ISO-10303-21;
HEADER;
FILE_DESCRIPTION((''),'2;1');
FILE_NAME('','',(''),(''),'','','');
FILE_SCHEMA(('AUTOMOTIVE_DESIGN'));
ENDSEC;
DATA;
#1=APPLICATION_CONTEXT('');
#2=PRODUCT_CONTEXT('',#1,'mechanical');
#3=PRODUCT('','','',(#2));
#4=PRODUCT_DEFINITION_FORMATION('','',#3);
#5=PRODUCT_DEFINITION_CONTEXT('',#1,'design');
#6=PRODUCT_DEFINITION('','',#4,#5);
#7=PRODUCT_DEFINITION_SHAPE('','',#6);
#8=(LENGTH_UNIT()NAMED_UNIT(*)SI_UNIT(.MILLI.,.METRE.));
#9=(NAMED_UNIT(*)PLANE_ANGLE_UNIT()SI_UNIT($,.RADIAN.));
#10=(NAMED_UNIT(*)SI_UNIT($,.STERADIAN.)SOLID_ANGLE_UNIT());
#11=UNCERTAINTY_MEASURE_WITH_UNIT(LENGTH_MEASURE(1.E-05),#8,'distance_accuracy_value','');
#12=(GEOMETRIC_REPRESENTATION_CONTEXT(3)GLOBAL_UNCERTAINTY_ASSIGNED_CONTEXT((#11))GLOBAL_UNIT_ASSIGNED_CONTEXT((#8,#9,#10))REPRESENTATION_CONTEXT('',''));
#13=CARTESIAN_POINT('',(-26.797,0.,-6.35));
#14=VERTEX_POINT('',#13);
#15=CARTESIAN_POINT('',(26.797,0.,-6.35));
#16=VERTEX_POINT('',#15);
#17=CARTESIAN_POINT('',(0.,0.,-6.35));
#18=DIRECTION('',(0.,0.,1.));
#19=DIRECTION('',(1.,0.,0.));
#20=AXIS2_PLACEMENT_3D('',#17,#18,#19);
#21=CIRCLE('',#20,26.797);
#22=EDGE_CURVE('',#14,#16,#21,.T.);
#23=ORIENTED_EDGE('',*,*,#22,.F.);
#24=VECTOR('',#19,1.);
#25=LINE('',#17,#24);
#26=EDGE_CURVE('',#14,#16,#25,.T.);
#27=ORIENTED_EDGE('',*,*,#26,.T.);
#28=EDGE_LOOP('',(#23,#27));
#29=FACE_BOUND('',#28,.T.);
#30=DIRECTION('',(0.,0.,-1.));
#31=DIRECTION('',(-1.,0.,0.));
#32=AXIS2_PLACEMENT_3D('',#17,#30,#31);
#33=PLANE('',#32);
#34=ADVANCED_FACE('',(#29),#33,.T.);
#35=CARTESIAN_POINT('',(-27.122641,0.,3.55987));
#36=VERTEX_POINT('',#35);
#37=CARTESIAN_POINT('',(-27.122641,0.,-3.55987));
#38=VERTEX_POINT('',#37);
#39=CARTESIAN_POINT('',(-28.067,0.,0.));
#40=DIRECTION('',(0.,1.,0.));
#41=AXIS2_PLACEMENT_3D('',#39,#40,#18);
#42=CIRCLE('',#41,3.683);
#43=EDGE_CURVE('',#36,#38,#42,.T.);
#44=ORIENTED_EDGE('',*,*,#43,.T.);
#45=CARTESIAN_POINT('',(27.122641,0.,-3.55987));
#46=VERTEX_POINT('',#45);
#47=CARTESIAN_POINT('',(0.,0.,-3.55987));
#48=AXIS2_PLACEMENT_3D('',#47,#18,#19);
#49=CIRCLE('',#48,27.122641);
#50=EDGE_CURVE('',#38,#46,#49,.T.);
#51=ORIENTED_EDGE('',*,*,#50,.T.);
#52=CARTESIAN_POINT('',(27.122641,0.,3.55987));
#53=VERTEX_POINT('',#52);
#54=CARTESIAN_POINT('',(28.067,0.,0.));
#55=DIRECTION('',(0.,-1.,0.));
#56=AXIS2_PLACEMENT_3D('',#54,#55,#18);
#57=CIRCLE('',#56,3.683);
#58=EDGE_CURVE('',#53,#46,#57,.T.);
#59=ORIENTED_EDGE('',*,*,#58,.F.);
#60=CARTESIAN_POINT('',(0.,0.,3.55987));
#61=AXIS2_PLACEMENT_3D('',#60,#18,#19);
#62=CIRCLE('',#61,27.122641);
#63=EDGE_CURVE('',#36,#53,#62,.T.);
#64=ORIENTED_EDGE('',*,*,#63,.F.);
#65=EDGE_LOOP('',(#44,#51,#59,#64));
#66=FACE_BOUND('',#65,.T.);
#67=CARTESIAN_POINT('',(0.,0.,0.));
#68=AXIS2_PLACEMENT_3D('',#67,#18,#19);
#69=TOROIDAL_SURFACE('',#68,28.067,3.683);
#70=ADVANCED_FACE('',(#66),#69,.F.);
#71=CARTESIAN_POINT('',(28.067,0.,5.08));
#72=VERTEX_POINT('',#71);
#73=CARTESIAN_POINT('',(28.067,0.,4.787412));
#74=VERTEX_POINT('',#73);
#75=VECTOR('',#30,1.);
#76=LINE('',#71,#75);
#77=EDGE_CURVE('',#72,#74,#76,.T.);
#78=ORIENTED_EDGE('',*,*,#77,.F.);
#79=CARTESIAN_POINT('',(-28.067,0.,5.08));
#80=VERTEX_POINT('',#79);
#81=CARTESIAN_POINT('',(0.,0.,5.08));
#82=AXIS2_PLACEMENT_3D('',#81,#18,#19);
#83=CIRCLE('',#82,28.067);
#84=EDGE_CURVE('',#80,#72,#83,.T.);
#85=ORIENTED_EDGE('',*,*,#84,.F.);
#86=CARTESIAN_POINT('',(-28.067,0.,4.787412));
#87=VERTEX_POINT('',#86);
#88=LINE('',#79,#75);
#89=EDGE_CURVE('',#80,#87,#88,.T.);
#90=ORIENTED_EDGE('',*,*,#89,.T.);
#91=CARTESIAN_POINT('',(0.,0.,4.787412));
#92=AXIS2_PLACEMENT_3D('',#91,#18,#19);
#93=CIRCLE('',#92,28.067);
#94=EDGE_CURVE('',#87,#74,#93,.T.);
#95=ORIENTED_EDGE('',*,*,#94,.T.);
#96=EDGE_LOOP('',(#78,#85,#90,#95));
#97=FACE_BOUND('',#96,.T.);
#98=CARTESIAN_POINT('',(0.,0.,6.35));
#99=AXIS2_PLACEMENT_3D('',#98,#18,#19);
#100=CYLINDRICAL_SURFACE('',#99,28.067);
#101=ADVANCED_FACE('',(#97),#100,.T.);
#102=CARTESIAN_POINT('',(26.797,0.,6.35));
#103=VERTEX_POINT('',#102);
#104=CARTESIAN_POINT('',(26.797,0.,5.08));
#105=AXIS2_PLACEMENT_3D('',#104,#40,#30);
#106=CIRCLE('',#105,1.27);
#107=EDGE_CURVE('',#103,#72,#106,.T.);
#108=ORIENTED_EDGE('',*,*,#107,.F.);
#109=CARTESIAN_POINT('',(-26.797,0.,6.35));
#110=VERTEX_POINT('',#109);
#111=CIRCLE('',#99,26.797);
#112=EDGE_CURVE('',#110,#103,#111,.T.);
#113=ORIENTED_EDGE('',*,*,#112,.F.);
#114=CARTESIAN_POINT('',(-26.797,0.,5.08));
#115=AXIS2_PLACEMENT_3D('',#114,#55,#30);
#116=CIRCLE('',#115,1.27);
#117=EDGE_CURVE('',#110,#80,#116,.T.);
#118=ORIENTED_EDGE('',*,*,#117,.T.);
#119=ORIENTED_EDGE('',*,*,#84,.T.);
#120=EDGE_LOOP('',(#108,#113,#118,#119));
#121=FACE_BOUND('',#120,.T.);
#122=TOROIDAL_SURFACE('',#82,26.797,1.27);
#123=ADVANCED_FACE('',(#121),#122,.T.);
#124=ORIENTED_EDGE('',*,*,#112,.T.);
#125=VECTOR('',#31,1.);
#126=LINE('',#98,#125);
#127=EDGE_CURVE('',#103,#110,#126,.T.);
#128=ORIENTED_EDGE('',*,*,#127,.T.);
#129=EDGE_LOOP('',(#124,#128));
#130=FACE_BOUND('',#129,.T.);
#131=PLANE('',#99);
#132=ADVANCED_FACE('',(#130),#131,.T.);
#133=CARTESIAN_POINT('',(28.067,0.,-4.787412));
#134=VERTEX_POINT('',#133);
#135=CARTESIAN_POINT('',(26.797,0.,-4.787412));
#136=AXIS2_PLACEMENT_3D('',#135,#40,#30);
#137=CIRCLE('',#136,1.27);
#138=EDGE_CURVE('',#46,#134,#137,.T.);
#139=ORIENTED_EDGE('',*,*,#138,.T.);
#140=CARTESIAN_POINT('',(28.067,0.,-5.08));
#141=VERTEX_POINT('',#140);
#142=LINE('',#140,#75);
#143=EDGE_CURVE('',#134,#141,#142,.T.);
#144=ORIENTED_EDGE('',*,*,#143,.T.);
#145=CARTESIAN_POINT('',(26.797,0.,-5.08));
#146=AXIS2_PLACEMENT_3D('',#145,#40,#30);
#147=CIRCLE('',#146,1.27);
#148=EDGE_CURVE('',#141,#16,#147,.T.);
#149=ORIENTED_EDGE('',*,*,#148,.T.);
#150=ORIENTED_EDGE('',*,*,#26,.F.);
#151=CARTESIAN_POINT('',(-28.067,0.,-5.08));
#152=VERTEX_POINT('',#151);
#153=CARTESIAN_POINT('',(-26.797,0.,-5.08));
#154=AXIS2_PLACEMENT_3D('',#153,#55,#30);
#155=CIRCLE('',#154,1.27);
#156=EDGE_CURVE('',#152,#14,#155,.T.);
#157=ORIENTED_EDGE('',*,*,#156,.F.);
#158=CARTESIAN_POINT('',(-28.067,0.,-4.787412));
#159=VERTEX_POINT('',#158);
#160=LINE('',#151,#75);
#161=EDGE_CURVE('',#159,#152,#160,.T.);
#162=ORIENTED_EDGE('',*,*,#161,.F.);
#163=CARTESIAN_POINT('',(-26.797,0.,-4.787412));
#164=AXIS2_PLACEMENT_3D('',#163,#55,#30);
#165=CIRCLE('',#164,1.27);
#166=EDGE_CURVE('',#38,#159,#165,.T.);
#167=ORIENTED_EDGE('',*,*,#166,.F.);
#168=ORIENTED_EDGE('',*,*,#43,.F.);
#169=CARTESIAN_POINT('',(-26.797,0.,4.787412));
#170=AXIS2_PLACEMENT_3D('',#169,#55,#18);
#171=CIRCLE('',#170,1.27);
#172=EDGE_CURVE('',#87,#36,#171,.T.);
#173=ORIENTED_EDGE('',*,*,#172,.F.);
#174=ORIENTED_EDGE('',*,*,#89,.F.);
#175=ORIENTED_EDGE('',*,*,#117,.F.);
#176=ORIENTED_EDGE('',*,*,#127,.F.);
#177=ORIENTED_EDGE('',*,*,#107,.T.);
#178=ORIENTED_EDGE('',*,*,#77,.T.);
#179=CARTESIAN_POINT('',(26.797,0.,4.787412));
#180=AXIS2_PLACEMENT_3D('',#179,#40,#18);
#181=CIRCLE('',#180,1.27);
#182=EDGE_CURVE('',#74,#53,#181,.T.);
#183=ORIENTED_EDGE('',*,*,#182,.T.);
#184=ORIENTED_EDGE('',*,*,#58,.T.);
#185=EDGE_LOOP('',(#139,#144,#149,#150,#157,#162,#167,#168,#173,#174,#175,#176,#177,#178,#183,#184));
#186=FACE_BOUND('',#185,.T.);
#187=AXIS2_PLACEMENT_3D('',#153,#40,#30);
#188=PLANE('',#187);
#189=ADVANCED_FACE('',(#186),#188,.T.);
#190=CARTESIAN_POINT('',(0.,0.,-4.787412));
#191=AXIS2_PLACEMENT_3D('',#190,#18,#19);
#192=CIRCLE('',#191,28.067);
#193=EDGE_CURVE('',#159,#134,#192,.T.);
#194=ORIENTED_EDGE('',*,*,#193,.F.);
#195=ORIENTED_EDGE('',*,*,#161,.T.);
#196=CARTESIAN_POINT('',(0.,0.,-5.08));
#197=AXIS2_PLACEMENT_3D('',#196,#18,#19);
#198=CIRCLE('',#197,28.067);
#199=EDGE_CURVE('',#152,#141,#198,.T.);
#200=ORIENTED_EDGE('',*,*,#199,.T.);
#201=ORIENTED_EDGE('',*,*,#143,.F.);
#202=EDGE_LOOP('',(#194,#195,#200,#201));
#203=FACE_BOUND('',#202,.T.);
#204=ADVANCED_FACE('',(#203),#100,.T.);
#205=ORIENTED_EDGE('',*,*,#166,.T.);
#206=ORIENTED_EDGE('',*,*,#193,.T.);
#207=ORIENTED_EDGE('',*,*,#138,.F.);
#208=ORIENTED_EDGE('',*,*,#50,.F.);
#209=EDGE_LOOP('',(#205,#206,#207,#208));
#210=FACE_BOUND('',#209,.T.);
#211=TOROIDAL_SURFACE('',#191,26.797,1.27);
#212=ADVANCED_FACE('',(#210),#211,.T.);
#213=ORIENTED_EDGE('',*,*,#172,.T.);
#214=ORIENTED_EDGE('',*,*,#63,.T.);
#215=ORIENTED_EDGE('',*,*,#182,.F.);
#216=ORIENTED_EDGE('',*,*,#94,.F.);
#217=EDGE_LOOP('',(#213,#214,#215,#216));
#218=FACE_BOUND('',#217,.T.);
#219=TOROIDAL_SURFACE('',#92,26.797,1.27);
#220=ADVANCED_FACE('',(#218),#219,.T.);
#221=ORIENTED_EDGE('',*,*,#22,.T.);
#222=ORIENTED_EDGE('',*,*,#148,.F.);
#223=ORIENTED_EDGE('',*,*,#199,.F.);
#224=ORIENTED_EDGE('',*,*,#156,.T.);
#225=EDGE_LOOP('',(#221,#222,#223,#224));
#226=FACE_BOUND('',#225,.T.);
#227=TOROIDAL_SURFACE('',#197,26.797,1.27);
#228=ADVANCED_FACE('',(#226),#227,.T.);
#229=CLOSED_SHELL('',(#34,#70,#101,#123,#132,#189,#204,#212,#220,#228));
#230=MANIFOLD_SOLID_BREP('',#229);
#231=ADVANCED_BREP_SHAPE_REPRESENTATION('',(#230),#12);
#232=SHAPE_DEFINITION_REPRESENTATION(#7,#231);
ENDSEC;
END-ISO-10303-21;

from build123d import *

# Parameters (mm, degrees)
REVOLVE1_ANGLE = 180


with BuildPart() as part:
    # Sketch1 → Revolve1 (revolve)
    with BuildSketch(Plane(origin=(0, 0, 0), x_dir=(1, 0, 0), z_dir=(0, 1, 0))):
        with BuildLine():
            Line((0, -6.35), (0, 6.35))
            Line((0, 6.35), (26.797, 6.35))
            ThreePointArc((26.797, 6.35), (27.695025612, 5.978025612), (28.067, 5.08))
            Line((28.067, 5.08), (28.067, 4.787411514))
            ThreePointArc((28.067, 4.787411514), (27.803594283, 4.013029212), (27.122641026, 3.5598701))
            ThreePointArc((27.122641026, 3.5598701), (24.384, 0), (27.122641026, -3.5598701))
            ThreePointArc((27.122641026, -3.5598701), (27.803594283, -4.013029212), (28.067, -4.787411514))
            Line((28.067, -4.787411514), (28.067, -5.08))
            ThreePointArc((28.067, -5.08), (27.695025612, -5.978025612), (26.797, -6.35))
            Line((26.797, -6.35), (0, -6.35))
        make_face()
    revolve(axis=Axis((0, 0, 6.35), (0, 0, -1)), revolution_arc=REVOLVE1_ANGLE)


solid = part.part
